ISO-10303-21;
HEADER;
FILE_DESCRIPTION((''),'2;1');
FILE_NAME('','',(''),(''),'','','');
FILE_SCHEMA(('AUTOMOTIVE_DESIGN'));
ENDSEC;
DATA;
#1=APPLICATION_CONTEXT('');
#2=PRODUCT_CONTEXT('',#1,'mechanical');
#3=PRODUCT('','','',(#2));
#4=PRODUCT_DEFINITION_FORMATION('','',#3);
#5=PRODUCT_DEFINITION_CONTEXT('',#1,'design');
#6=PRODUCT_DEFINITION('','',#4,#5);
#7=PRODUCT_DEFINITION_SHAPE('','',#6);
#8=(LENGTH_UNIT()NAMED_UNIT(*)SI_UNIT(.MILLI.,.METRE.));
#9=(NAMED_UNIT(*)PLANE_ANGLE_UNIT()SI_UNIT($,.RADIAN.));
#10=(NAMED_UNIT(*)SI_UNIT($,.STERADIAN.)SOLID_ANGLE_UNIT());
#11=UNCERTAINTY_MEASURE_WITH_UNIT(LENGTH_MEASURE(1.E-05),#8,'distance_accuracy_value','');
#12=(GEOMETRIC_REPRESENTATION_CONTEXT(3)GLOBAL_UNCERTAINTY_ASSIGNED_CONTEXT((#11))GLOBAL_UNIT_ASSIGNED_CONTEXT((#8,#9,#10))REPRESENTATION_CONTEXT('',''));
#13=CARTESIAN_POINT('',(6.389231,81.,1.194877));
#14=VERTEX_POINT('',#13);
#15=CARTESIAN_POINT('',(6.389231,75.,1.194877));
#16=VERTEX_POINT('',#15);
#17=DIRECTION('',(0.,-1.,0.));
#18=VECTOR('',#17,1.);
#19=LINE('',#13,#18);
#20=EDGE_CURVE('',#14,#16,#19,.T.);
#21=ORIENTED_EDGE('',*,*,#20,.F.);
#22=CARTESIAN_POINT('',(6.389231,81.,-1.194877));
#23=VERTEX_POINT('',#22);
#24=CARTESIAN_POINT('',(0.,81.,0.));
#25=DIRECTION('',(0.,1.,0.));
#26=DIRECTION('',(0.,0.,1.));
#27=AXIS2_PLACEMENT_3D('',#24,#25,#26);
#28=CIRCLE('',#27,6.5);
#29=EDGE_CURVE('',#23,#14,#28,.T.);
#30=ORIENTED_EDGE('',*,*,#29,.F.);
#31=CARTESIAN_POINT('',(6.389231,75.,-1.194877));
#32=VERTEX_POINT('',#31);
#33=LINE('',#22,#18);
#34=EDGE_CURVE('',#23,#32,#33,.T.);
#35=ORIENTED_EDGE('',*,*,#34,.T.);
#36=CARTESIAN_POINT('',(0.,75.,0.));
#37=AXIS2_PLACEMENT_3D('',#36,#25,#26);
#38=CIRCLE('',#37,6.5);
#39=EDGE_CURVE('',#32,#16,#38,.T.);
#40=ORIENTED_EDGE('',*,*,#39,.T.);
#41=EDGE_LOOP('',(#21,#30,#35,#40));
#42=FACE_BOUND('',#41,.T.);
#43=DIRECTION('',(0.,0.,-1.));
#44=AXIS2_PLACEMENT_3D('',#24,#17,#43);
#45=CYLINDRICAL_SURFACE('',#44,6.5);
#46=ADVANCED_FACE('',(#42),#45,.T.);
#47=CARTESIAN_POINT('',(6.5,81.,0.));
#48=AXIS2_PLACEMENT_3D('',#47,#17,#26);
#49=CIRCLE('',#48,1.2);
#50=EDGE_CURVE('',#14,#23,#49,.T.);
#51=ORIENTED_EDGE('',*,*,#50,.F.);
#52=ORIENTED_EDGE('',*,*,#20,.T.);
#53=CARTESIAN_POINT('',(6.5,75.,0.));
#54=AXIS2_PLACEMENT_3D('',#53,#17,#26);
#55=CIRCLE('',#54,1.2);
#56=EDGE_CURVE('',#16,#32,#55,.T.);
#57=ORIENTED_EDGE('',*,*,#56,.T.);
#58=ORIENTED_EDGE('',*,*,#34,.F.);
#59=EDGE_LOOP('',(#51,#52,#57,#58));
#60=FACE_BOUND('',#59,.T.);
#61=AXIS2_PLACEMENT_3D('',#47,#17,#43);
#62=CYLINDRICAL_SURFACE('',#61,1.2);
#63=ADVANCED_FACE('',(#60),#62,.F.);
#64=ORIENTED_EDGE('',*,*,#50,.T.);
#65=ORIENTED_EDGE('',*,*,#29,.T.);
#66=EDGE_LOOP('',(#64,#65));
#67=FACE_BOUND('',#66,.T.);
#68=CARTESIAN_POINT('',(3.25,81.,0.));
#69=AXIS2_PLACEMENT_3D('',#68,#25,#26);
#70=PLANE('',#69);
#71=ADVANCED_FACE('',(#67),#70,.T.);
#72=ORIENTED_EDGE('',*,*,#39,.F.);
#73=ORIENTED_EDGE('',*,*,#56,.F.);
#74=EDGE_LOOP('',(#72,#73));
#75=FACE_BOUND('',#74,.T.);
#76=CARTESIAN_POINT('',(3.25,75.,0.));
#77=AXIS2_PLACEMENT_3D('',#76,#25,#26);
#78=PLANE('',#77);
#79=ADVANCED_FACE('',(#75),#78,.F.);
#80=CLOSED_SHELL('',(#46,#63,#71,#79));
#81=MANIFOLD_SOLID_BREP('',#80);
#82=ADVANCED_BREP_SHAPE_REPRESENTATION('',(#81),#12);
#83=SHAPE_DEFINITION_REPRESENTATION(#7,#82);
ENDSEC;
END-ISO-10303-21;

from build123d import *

# Parameters (mm, degrees)
BOSS_EXTRUDE1_DEPTH = 6


with BuildPart() as part:
    # Sketch1 → Boss-Extrude1 (new body)
    with BuildSketch(Plane(origin=(0, 75, 0), x_dir=(1, 0, 0), z_dir=(0, 1, 0))):
        with BuildLine():
            ThreePointArc((6.389230769, 1.194876637), (5.3, 0), (6.389230769, -1.194876637))
            ThreePointArc((6.389230769, -1.194876637), (-6.5, 0), (6.389230769, 1.194876637))
        make_face()
    extrude(amount=BOSS_EXTRUDE1_DEPTH)


solid = part.part
